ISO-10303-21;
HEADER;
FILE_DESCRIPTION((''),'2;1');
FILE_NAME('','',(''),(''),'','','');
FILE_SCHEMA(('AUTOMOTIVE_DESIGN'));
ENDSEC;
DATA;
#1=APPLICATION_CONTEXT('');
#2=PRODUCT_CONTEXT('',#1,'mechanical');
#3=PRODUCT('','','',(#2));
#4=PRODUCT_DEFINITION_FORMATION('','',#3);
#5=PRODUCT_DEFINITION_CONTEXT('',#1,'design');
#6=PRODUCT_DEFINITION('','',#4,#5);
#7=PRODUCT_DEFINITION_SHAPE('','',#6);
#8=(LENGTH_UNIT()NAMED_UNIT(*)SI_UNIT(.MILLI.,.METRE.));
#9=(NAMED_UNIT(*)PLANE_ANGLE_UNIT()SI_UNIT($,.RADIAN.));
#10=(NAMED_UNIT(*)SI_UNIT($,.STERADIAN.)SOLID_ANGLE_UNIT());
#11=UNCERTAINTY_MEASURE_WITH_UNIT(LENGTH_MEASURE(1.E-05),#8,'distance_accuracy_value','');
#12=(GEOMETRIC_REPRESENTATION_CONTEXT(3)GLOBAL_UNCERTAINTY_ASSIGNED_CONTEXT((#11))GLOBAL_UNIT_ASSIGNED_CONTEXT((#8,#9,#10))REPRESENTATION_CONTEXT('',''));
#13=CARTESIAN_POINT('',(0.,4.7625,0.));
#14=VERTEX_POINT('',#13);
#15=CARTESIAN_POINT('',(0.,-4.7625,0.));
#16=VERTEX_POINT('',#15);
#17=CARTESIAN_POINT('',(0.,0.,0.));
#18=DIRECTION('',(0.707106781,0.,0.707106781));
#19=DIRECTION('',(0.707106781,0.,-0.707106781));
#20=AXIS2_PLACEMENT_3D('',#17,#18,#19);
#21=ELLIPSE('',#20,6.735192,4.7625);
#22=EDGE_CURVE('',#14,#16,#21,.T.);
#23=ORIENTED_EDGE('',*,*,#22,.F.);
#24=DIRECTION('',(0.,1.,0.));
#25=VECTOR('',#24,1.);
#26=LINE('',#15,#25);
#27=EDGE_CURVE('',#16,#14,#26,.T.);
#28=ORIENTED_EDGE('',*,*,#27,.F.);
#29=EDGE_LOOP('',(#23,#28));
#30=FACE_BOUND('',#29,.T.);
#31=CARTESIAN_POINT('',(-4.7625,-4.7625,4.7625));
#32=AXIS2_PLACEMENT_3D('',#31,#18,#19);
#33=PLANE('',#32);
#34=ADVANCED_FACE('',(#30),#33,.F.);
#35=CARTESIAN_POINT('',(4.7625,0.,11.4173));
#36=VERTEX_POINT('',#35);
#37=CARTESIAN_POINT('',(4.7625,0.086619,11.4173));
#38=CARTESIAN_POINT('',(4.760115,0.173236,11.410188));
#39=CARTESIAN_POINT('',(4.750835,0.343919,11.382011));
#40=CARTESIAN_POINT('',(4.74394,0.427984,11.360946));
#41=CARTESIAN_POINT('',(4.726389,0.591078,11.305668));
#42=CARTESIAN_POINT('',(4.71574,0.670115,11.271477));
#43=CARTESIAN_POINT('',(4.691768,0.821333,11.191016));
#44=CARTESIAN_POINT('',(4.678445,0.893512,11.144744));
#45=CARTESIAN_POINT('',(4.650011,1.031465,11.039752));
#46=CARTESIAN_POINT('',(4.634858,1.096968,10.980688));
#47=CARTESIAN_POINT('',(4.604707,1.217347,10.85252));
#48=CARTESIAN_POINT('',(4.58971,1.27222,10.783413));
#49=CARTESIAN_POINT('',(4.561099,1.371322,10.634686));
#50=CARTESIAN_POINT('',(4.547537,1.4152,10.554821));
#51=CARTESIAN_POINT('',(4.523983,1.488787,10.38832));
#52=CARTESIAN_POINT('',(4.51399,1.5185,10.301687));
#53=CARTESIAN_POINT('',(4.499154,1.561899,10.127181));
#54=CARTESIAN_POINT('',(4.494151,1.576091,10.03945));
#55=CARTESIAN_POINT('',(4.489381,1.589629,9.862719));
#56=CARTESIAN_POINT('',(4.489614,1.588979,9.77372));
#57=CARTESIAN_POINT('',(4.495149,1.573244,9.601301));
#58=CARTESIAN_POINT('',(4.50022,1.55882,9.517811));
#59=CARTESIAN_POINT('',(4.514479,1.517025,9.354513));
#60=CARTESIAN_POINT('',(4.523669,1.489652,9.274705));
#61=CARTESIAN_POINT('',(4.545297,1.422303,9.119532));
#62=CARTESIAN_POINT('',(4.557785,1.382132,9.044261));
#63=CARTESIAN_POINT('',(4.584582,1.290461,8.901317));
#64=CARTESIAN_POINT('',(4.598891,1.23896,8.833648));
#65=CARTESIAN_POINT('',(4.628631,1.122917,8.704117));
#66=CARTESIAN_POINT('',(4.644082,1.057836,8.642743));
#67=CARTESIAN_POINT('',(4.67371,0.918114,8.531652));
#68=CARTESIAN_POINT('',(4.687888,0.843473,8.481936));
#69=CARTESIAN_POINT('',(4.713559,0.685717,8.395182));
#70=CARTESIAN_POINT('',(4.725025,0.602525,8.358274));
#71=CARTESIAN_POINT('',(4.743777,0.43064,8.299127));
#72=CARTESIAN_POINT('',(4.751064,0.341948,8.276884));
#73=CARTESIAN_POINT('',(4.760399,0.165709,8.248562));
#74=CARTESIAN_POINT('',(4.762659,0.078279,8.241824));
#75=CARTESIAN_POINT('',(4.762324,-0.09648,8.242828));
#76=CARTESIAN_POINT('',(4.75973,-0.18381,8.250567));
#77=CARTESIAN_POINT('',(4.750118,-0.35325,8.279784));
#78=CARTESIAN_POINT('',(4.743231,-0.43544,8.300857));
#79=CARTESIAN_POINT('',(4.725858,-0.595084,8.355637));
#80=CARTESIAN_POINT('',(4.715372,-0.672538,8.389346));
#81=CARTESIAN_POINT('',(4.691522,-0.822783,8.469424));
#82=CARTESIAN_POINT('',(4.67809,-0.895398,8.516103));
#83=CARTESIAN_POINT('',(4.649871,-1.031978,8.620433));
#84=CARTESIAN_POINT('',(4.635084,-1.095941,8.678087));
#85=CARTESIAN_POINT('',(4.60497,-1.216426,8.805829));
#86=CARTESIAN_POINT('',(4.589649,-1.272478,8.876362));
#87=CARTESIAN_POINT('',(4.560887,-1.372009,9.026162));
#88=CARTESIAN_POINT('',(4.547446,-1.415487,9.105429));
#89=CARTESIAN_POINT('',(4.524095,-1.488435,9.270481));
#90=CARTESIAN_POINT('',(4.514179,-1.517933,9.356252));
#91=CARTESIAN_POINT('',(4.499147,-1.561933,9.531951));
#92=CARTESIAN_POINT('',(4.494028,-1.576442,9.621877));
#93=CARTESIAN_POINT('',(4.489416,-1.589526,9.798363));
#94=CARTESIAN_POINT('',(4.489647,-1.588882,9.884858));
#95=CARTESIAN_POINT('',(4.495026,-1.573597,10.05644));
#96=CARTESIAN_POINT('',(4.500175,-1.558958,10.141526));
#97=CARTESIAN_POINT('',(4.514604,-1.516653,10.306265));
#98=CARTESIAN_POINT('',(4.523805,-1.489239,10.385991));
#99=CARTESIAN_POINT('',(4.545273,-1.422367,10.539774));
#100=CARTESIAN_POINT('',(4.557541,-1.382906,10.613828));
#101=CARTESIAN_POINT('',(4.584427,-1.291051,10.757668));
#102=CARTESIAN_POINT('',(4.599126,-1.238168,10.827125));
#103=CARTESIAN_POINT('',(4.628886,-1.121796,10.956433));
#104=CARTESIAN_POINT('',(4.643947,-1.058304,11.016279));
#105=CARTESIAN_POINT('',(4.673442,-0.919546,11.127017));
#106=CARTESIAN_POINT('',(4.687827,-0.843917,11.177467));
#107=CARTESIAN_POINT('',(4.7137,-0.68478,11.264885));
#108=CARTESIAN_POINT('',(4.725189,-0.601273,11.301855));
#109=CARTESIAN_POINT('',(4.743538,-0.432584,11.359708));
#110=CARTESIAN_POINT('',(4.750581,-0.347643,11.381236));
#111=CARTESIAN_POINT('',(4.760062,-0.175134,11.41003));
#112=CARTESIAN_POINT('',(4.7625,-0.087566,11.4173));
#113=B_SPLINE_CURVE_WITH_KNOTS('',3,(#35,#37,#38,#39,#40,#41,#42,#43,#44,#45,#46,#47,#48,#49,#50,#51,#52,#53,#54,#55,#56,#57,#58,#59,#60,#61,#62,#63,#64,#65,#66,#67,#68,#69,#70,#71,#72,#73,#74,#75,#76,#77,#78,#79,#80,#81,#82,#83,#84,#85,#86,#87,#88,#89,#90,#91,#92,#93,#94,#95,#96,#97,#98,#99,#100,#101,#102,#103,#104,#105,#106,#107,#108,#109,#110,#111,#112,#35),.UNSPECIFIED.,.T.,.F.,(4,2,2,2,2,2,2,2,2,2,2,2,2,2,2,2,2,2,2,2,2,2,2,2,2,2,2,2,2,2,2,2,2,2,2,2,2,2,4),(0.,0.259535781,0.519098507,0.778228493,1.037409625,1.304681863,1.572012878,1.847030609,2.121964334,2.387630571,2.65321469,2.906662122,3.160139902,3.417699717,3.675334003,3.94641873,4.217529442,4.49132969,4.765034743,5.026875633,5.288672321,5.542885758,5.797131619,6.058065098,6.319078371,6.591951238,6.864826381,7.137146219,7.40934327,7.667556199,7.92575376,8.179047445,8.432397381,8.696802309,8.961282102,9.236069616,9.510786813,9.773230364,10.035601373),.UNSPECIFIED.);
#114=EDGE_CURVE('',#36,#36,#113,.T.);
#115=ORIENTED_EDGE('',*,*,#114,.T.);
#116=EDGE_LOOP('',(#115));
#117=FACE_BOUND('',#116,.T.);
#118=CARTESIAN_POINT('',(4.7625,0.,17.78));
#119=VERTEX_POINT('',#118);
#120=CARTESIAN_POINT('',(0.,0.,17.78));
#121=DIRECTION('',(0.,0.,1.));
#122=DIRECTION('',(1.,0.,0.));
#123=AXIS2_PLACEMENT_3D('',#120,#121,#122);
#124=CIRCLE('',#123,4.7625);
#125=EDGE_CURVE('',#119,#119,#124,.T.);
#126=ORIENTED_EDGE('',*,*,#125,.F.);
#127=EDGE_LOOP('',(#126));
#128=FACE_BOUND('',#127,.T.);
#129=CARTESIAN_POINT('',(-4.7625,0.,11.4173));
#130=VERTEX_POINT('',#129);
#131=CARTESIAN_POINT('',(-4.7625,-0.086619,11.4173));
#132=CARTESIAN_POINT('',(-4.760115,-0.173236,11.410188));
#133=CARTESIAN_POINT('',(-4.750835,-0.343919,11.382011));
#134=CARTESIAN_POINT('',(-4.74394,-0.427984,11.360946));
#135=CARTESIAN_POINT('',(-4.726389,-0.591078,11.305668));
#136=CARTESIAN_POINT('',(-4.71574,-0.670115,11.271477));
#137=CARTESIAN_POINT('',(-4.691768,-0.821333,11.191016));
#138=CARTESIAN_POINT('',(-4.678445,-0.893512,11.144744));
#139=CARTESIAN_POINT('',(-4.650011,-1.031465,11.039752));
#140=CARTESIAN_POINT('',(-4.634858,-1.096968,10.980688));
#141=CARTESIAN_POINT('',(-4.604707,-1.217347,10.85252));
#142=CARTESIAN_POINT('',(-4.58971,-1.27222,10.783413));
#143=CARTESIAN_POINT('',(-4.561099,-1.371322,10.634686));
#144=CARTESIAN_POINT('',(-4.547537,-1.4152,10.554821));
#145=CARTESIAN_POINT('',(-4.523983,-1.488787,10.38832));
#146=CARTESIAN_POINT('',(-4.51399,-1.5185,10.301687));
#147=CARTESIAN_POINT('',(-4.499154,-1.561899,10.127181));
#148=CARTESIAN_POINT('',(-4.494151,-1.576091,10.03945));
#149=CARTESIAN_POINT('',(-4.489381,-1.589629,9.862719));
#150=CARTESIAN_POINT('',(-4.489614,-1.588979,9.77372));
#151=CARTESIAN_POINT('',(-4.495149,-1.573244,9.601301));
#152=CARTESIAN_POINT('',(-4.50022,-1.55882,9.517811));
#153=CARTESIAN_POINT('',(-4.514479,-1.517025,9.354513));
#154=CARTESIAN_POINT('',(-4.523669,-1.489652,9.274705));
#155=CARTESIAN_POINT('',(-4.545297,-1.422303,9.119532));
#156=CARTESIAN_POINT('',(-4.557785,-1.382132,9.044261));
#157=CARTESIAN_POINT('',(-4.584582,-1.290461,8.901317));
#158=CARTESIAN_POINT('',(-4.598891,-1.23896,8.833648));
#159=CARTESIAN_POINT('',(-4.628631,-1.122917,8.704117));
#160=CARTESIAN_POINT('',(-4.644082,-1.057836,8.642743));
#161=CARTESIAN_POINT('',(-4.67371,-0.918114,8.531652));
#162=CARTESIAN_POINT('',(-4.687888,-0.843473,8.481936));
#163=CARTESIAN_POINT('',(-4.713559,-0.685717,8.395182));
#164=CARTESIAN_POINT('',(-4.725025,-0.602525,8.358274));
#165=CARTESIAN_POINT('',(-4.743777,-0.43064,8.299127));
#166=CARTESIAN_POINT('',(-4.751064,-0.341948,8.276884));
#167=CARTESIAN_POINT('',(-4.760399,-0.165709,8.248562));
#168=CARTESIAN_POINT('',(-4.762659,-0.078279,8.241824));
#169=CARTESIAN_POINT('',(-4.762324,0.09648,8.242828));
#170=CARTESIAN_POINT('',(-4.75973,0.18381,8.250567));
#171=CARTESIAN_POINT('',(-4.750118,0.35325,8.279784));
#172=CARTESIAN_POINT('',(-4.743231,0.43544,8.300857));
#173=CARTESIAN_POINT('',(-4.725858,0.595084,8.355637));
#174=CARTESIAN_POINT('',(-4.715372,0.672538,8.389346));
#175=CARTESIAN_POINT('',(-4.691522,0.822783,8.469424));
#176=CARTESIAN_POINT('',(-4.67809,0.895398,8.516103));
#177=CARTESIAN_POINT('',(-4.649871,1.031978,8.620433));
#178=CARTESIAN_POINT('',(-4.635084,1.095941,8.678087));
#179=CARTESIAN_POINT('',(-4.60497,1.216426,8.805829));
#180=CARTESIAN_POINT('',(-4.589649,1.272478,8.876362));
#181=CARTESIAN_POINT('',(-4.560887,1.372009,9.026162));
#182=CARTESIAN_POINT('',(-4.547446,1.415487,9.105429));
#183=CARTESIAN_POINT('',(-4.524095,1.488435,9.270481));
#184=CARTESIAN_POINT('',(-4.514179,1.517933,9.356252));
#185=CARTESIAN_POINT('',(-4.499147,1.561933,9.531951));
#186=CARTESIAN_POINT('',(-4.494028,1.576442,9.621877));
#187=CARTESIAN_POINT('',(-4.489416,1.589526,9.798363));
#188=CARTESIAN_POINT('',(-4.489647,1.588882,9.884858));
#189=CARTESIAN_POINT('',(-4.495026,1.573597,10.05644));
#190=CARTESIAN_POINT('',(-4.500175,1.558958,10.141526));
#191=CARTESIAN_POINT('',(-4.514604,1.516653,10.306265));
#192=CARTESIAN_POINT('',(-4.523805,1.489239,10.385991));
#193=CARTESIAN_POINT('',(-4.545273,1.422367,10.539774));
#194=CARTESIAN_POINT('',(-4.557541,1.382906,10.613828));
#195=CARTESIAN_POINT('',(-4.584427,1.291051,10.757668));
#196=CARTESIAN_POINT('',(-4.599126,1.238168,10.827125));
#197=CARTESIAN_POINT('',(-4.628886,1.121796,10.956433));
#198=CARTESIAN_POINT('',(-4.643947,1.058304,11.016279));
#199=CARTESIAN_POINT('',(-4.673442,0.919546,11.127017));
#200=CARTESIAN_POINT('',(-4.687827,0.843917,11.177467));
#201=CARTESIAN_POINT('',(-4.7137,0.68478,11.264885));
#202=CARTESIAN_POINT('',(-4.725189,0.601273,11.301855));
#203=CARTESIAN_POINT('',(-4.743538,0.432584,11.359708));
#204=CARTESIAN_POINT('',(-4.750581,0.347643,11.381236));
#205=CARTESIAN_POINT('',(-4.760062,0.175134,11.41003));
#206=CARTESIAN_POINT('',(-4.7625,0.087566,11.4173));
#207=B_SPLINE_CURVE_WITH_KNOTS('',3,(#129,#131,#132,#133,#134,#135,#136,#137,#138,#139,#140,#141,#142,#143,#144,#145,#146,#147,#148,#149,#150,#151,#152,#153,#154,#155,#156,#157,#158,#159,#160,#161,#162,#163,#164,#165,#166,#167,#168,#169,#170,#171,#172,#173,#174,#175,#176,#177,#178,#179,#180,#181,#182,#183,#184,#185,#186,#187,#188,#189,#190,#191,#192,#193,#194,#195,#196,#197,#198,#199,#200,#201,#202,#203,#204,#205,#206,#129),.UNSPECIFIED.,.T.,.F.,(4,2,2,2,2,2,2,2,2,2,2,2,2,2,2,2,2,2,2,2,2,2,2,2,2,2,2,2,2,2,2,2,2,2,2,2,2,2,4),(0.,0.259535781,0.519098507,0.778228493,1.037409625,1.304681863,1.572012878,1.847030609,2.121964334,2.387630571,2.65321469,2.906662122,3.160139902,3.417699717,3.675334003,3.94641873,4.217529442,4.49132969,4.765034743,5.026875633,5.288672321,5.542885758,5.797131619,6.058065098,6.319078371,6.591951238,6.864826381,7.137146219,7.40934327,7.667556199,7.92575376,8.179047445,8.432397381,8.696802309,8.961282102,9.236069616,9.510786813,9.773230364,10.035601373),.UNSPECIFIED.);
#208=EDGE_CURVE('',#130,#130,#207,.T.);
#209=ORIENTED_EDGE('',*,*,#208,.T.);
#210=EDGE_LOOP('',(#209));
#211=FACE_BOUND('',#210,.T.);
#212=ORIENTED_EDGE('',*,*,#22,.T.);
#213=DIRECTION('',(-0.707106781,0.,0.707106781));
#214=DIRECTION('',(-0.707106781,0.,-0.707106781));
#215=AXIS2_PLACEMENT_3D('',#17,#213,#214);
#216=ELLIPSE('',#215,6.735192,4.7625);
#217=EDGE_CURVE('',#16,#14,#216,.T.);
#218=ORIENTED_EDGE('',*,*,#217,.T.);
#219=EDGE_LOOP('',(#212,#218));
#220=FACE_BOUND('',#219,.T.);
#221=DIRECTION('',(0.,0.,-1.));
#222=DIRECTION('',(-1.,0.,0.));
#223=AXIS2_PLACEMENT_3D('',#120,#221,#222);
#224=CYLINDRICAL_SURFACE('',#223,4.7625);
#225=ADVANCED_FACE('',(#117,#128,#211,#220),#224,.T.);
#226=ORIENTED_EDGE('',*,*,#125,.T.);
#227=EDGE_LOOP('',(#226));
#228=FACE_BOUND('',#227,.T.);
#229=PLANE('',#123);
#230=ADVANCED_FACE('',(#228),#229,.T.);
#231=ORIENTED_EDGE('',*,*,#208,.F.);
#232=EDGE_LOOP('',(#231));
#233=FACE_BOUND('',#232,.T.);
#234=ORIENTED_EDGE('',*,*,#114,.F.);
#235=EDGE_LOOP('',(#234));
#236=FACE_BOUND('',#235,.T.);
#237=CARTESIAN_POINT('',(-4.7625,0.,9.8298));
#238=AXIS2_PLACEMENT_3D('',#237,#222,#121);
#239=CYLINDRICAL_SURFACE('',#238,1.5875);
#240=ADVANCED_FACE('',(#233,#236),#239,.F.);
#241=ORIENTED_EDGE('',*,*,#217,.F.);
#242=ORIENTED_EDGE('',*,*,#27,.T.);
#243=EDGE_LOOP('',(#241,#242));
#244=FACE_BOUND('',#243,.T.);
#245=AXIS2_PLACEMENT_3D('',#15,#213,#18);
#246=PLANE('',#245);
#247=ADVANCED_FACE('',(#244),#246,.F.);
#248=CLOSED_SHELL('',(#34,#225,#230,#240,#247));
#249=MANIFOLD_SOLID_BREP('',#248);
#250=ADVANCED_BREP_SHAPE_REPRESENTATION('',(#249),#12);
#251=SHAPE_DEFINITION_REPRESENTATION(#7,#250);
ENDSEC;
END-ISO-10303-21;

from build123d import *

# Parameters (mm, degrees)
SKETCH1_R                    = 4.7625
EXTRUDE1_DEPTH               = 17.78
EXTRUDE2_DEPTH               = 20.01292225
EXTRUDE2_DEPTH_BACK          = 20.01292225
F_1_8_0_125_DIAMETER_HOLE4_D = 3.175


with BuildPart() as part:
    # Sketch1 → Extrude1 (new body)
    with BuildSketch(Plane.XY):
        Circle(SKETCH1_R)
    extrude(amount=EXTRUDE1_DEPTH)

    # Sketch2 → Extrude2 (cut, two sides: drawn at the far end of the back side and taken through both)
    with BuildSketch(Plane(origin=(0, 0, 0), x_dir=(1, 0, 0), z_dir=(0, 1, 0)).offset(-EXTRUDE2_DEPTH_BACK)):
        Polygon((0, 0), (4.7625, -4.7625), (4.7625, 1.90519665), (-4.7625, 1.90519665), (-4.7625, -4.7625), align=None)
    extrude(amount=EXTRUDE2_DEPTH + EXTRUDE2_DEPTH_BACK, mode=Mode.SUBTRACT)

    # 1/8 (0.125) Diameter Hole4 (through all)
    with Locations(Plane(origin=(-4.7625, 0, 17.78), x_dir=(0, 0, 1), z_dir=(-1, 0, 0))):
        with Locations((-7.9502, 0)):
            Hole(F_1_8_0_125_DIAMETER_HOLE4_D / 2)


solid = part.part
